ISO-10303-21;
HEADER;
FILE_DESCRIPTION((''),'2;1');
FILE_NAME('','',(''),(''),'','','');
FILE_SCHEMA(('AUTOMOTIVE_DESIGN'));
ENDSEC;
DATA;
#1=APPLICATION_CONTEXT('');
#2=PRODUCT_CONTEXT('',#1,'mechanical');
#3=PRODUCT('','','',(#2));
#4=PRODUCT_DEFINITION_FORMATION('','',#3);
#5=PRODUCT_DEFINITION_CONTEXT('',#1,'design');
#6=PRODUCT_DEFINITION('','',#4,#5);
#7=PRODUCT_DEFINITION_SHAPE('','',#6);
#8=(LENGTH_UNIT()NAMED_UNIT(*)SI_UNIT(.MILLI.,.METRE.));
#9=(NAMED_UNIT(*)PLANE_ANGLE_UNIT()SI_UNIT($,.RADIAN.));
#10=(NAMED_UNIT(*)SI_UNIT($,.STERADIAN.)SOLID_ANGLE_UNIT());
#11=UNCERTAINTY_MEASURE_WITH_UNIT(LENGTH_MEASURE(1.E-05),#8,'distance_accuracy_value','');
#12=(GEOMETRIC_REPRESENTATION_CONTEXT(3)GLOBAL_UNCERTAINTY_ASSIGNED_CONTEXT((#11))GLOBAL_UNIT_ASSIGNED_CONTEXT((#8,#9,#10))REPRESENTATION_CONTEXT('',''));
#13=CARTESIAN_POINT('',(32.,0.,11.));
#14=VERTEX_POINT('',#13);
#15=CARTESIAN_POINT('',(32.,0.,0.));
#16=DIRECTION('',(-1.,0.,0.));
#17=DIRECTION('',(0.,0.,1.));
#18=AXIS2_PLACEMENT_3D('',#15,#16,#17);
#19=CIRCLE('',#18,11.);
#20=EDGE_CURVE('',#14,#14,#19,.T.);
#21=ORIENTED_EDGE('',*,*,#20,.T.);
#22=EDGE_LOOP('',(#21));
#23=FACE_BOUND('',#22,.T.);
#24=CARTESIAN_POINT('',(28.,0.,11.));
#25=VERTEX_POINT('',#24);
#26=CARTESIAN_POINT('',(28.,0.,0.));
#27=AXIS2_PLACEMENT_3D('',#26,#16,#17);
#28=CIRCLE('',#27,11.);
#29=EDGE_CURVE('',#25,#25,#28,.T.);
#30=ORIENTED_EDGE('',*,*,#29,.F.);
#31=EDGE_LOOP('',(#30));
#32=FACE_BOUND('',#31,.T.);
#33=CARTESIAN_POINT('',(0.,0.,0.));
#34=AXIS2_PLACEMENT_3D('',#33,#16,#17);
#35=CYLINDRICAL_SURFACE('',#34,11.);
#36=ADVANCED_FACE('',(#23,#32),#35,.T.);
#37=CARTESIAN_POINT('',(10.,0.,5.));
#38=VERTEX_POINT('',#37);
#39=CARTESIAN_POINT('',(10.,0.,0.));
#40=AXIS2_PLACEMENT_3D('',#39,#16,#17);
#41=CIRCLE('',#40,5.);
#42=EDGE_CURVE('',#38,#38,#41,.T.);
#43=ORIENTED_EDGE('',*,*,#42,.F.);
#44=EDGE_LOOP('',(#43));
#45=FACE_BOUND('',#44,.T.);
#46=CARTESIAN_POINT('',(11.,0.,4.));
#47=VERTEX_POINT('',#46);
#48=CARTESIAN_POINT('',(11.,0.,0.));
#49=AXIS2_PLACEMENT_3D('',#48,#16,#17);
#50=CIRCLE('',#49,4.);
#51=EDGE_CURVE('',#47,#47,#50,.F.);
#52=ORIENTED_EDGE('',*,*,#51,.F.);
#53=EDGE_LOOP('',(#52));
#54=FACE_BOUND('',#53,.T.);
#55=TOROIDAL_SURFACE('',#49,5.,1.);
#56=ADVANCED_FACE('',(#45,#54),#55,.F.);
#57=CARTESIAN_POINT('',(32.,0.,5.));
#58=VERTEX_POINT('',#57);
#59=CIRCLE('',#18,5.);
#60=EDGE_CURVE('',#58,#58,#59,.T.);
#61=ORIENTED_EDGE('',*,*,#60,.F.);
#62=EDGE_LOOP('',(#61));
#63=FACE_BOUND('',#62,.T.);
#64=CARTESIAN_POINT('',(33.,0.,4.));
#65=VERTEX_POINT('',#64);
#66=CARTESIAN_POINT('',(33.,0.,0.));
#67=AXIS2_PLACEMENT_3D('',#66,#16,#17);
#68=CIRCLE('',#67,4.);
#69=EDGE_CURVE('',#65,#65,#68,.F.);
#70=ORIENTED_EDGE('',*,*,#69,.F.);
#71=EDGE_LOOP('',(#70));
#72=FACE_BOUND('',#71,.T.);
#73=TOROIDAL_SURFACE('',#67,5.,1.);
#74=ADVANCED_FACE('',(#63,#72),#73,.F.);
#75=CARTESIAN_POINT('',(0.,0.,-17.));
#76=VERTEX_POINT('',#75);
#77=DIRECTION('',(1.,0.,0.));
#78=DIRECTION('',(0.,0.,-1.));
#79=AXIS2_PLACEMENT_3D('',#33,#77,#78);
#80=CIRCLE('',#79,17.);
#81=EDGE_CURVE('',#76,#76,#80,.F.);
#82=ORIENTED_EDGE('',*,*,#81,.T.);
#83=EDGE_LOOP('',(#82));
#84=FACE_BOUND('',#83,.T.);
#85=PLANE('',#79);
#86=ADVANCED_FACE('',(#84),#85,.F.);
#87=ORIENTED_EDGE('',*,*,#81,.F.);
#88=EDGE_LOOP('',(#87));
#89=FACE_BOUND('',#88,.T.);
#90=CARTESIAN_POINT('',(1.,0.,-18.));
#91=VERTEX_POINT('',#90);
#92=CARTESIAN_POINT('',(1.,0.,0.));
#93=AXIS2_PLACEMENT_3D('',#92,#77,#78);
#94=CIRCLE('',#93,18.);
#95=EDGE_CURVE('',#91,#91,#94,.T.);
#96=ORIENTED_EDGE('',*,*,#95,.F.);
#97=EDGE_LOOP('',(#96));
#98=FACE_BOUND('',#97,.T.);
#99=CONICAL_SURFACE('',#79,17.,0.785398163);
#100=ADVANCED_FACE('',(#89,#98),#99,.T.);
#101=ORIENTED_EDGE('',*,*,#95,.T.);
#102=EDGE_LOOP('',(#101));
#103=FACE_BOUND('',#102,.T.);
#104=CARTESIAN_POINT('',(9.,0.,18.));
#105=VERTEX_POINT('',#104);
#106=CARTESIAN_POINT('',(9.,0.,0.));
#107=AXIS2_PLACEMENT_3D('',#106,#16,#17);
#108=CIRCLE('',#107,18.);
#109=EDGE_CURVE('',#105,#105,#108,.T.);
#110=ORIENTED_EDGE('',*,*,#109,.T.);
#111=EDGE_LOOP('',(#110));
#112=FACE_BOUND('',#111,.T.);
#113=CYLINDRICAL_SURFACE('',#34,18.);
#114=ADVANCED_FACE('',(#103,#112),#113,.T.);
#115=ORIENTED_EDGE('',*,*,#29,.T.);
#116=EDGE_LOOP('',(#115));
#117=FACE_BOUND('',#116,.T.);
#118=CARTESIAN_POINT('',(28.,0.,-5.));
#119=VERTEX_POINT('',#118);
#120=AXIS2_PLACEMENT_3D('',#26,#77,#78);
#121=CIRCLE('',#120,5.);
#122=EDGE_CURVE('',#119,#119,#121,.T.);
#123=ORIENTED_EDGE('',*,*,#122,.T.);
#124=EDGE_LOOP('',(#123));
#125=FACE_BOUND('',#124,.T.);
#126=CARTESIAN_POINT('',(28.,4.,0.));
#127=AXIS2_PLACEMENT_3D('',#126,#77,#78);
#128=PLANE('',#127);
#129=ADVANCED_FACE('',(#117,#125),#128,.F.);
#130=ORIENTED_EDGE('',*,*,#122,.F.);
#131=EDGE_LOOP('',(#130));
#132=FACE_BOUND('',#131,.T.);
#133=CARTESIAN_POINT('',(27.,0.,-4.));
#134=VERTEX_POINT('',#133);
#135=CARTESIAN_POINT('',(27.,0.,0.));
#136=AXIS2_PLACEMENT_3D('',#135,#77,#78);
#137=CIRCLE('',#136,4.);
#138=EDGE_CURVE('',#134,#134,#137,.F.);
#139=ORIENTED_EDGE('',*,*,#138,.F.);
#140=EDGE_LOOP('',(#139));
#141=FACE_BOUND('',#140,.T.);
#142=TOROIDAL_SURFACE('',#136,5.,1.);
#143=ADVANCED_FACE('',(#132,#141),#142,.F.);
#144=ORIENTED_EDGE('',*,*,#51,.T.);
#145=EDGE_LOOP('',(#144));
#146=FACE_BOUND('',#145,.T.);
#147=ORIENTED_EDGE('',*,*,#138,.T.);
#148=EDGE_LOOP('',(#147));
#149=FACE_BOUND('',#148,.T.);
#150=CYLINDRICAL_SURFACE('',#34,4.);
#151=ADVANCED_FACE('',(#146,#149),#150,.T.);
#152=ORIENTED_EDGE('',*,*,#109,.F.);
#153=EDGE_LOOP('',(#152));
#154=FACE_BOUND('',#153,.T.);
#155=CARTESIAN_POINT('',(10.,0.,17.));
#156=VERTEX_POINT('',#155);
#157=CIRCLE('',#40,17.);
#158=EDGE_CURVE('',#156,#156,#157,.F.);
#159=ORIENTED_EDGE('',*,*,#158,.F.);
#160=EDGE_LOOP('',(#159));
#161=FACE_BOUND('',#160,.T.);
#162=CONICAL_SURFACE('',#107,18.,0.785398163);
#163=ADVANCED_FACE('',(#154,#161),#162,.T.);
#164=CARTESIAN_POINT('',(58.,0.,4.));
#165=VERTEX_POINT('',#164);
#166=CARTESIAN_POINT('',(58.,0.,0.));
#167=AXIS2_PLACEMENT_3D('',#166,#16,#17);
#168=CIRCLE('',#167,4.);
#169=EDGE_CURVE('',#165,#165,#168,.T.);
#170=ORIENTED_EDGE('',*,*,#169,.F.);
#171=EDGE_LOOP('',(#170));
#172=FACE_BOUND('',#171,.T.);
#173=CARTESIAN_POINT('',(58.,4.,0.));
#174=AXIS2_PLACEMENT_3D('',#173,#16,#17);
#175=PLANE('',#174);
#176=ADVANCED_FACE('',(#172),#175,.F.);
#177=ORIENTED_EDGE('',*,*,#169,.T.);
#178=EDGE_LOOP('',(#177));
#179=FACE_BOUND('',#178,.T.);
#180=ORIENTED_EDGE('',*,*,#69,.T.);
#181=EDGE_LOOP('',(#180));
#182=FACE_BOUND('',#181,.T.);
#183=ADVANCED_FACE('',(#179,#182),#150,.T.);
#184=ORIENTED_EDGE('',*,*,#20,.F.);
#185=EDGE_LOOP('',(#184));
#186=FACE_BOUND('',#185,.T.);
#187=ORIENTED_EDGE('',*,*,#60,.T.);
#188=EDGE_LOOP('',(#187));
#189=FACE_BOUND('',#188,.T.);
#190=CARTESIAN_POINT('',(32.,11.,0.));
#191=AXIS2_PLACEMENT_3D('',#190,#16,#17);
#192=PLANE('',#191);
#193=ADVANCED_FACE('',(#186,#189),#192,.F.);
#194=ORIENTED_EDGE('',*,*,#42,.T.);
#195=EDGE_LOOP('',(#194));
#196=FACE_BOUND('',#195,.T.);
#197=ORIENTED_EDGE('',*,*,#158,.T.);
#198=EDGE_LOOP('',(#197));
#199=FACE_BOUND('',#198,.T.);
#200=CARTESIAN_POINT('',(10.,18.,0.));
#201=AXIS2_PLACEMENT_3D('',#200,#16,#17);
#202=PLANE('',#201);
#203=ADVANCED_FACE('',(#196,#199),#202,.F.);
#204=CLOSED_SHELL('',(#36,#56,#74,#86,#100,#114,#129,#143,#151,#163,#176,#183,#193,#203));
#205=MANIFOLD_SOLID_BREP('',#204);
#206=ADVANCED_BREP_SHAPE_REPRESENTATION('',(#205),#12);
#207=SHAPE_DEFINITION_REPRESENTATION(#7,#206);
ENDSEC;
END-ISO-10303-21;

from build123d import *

# Parameters (mm, degrees)
CHAMFER1_SIZE = 1
FILLET1_R     = 1


with BuildPart() as part:
    # Sketch1 → Revolve1 (revolve)
    with BuildSketch(Plane.XY, mode=Mode.PRIVATE) as revolve1_sk:
        Polygon((0, 0), (0, 18), (10, 18), (10, 4), (28, 4), (28, 11), (32, 11), (32, 4), (58, 4), (58, 0), align=None)
    revolve(revolve1_sk.sketch.rotate(Axis((0, 0, 0), (1, 0, 0)), 90), axis=Axis((0, 0, 0), (1, 0, 0)))

    # Chamfer1
    chamfer1_edges = [part.edges().sort_by_distance(p)[0] for p in [
        (10, 0, -18),
        (0, 0, -18),
    ]]
    chamfer(chamfer1_edges, length=CHAMFER1_SIZE)

    # Fillet1
    fillet1_edges = [part.edges().sort_by_distance(p)[0] for p in [
        (28, 0, -4),
        (10, 0, -4),
        (32, 0, -4),
    ]]
    fillet(fillet1_edges, radius=FILLET1_R)


solid = part.part
